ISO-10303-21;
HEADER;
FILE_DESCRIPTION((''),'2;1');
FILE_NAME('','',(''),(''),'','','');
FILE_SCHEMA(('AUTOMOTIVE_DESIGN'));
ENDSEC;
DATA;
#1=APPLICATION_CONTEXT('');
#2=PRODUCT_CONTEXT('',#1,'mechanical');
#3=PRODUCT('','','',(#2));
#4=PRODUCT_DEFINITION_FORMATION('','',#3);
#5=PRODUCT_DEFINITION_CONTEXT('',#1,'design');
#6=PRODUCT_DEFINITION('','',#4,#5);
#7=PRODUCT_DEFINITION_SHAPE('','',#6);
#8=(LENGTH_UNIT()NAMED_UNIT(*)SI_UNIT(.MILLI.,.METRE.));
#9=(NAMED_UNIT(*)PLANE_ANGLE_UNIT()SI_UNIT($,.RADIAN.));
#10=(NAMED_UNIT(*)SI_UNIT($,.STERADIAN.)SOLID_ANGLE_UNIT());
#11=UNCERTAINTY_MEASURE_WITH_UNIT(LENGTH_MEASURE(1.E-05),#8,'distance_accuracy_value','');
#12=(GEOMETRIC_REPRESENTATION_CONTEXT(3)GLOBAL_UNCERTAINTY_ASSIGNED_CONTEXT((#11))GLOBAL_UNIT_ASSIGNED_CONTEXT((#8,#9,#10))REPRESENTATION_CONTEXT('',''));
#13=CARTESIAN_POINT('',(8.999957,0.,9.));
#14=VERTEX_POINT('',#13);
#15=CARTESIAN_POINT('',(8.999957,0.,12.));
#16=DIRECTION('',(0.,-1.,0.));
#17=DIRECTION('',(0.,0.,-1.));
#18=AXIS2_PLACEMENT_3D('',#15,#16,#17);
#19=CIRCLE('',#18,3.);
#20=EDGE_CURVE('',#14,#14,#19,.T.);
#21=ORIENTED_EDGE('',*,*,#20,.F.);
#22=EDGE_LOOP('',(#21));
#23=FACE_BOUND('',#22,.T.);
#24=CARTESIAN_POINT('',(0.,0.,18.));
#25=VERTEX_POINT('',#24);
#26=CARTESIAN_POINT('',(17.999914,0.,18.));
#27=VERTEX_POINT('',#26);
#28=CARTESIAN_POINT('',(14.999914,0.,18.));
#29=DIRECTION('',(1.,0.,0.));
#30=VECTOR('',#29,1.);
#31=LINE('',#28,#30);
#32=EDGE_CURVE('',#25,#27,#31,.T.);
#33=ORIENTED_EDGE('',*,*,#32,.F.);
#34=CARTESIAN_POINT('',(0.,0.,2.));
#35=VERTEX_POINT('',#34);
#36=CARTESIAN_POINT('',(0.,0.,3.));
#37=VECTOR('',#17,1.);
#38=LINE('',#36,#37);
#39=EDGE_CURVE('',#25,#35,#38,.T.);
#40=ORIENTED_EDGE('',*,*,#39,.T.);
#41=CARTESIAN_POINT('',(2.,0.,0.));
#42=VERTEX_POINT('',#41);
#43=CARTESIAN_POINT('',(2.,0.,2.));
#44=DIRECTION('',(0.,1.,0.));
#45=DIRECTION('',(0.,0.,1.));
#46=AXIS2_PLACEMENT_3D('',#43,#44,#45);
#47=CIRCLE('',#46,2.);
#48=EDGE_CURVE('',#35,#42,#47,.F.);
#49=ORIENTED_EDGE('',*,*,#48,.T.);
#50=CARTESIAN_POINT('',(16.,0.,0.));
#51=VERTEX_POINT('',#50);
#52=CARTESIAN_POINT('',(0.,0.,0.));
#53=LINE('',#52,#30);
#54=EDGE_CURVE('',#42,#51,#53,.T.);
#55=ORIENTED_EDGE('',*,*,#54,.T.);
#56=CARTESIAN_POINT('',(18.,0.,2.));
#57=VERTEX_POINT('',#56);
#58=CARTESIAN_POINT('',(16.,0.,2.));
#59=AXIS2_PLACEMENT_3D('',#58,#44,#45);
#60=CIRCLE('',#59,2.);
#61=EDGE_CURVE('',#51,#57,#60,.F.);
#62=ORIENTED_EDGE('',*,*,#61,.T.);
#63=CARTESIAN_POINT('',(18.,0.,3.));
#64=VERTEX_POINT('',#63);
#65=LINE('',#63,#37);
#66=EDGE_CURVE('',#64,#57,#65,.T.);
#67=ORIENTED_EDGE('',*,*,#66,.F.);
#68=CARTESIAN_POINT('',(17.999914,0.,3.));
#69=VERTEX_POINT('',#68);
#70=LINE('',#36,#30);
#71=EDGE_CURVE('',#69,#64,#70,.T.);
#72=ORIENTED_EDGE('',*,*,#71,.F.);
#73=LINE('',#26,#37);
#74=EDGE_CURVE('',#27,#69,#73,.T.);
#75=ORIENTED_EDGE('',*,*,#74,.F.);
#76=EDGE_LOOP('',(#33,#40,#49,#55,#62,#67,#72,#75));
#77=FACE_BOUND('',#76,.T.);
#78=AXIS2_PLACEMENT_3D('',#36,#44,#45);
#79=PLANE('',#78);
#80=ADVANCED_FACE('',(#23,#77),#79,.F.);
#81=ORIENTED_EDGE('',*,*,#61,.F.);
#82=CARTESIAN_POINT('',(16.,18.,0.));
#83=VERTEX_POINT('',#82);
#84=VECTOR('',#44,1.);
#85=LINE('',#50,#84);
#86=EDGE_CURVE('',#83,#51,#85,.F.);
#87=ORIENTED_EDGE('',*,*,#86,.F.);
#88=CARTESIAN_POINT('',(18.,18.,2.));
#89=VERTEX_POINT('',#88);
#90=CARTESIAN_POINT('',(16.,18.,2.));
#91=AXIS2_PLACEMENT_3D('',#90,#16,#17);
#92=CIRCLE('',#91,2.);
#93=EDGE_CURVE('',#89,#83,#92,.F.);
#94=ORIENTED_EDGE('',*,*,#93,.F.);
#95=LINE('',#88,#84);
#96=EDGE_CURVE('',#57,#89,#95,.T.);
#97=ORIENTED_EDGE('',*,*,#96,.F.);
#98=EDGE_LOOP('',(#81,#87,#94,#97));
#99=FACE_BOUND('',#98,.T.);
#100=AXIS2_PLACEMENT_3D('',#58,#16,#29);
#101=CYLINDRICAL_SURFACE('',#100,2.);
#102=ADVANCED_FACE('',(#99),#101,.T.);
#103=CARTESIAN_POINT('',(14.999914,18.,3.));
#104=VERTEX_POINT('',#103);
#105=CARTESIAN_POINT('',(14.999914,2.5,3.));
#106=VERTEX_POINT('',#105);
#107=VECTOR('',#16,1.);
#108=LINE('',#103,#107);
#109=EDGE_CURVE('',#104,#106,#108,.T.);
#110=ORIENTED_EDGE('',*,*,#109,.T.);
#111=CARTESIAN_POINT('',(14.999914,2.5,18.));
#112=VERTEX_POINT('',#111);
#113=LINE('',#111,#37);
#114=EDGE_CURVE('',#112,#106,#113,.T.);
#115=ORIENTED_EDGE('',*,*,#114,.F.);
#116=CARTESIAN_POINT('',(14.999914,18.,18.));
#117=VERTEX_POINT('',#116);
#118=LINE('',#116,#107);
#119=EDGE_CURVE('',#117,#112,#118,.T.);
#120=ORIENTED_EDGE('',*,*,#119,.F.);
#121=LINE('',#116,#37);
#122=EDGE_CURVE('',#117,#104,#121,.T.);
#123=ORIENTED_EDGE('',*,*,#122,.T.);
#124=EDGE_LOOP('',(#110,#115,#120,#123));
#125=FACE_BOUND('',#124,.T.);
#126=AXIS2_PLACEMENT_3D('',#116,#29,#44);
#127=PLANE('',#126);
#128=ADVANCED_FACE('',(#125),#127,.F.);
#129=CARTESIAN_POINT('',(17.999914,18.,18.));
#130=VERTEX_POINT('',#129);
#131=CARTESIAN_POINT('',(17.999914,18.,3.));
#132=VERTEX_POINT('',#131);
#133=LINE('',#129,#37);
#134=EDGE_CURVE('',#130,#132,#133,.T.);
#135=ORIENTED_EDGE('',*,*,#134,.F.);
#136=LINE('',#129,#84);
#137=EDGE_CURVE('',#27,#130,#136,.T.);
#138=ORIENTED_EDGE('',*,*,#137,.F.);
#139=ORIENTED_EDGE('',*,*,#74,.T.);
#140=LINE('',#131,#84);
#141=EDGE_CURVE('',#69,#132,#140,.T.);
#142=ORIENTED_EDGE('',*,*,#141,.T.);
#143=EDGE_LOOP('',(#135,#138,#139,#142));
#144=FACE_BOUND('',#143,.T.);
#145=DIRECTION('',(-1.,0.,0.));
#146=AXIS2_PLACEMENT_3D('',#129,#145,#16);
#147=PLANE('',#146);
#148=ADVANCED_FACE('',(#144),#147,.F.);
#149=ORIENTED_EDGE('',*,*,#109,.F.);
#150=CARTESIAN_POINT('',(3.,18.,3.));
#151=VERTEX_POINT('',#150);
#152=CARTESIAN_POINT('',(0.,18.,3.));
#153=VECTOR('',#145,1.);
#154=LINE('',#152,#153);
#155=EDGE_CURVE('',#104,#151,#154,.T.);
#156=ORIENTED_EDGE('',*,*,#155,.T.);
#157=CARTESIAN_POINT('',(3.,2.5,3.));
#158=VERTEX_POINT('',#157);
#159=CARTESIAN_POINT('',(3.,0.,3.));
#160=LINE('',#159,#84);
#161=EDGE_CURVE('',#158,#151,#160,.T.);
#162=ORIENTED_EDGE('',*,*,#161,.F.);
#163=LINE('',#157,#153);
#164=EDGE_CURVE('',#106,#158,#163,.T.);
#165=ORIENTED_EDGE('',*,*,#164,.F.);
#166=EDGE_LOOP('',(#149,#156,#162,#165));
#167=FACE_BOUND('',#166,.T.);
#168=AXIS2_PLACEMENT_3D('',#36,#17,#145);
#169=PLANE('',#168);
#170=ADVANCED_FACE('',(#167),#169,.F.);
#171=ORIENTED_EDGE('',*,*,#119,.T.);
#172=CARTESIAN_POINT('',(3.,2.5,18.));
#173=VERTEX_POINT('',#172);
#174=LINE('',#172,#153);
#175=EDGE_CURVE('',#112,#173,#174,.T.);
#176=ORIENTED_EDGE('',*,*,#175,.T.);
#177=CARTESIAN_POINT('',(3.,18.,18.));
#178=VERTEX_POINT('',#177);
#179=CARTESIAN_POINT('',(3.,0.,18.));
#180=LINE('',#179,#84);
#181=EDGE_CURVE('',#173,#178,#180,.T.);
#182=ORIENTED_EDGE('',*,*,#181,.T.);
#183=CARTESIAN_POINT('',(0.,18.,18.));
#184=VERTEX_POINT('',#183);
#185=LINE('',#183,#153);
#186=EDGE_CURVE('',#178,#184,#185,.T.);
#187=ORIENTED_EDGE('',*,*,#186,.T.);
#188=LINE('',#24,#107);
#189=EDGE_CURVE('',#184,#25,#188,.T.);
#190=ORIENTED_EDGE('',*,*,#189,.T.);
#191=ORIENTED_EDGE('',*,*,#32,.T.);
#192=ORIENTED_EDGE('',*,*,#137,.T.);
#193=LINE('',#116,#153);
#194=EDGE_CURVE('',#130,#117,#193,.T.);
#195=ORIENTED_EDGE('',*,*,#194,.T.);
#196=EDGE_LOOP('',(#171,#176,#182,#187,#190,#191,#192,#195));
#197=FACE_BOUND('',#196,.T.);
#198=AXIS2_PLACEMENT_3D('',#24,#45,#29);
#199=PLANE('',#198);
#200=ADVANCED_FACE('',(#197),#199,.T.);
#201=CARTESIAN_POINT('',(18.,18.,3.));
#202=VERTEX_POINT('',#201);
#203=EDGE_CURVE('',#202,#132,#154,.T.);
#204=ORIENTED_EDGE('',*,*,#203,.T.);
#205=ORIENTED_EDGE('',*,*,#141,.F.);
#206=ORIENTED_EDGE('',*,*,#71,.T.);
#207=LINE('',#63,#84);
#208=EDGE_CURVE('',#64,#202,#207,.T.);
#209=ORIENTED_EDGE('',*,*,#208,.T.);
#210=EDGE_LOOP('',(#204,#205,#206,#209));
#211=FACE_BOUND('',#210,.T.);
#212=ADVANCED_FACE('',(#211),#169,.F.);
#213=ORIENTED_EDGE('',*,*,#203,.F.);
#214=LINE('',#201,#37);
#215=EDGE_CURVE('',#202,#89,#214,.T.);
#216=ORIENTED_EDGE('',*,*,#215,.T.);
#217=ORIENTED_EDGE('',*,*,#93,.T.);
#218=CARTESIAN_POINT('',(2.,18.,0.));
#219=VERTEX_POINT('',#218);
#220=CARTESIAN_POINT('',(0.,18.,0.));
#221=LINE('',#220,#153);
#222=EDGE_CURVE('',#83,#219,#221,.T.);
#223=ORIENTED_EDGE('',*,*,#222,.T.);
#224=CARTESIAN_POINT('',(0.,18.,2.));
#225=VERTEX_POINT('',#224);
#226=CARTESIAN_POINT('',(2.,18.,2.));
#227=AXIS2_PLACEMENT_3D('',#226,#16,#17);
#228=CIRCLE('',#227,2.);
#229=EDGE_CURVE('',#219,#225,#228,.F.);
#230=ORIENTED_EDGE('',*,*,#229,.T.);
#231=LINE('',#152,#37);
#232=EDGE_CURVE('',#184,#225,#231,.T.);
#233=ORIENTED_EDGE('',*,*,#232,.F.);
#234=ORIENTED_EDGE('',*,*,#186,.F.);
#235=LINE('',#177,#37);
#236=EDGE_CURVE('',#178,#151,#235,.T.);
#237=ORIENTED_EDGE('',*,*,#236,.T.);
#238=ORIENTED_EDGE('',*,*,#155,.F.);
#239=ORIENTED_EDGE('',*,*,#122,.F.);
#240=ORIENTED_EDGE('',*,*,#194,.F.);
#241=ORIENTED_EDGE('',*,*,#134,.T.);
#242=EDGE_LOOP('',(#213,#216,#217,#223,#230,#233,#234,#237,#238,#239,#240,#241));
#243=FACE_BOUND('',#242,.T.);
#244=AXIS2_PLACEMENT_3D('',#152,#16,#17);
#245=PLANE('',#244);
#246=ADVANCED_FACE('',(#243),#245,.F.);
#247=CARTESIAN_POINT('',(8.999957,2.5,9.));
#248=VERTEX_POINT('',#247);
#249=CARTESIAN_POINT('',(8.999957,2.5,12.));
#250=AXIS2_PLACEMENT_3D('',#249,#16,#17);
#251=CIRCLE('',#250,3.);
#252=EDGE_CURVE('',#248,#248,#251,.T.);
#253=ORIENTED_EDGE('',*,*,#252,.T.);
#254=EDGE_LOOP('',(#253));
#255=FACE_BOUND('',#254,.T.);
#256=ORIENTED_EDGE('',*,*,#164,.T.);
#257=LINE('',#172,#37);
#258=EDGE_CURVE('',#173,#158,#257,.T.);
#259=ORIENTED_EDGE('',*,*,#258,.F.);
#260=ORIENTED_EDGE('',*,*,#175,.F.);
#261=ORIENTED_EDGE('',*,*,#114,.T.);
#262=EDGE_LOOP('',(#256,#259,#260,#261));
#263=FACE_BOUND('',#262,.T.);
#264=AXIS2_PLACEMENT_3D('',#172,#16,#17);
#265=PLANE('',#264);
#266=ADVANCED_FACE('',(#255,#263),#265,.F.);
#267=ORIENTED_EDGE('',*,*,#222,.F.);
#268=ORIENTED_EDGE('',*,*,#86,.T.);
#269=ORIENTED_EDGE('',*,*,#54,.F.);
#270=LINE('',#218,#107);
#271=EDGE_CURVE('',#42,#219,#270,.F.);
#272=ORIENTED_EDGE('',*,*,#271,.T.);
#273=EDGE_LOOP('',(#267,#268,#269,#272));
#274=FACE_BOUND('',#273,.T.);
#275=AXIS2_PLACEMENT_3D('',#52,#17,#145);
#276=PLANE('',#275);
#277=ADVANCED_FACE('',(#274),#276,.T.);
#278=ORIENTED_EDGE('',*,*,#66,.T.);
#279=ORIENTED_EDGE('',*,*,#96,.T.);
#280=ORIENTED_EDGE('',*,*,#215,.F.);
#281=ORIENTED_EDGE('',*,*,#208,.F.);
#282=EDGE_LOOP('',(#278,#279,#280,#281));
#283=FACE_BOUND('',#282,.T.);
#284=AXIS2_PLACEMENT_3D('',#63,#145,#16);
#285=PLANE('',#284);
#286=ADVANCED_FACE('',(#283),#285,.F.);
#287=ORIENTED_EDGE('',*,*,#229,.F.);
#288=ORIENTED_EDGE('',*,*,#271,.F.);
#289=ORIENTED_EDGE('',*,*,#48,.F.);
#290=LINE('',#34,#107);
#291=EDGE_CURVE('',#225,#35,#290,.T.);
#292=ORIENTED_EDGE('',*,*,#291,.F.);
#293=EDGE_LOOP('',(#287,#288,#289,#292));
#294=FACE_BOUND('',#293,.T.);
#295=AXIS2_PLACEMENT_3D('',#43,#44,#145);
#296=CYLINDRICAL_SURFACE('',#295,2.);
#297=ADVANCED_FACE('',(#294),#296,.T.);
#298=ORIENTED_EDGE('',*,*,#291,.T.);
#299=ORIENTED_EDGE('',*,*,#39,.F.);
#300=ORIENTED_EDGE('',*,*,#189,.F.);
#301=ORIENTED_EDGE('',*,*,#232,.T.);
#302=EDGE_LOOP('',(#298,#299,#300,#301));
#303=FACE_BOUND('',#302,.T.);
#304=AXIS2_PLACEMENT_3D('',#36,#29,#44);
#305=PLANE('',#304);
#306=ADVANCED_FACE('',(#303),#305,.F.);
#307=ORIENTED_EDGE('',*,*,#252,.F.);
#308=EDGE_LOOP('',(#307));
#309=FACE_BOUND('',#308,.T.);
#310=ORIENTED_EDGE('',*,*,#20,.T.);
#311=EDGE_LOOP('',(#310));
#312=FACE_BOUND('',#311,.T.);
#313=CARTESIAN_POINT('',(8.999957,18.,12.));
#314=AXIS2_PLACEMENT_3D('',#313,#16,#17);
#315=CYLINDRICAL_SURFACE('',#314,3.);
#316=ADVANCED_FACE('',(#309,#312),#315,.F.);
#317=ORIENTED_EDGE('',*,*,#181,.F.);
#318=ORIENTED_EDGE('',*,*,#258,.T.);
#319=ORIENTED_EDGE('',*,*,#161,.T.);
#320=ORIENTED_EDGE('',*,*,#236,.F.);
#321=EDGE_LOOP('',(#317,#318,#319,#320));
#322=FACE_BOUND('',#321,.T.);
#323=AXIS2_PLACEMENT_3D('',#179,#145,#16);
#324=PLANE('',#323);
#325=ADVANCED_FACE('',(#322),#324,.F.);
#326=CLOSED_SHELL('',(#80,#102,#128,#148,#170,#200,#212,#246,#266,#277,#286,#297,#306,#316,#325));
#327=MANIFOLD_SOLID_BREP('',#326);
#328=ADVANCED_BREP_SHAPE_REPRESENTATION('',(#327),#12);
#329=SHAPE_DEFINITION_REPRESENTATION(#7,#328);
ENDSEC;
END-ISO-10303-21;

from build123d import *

# Parameters (mm, degrees)
SKETCH1_W           = 18
SKETCH1_H           = 18
BOSS_EXTRUDE2_DEPTH = 3
SKETCH2_W           = 3
SKETCH2_H           = 18
BOSS_EXTRUDE3_DEPTH = 15
SKETCH3_W           = 3
SKETCH3_H           = 18
BOSS_EXTRUDE4_DEPTH = 15
SKETCH5_W           = 11.999914095
SKETCH5_H           = 2.5
BOSS_EXTRUDE5_DEPTH = 15
FILLET1_R           = 2
FILLET2_R           = 2
SKETCH6_R           = 3
CUT_EXTRUDE1_DEPTH  = 19


with BuildPart() as part:
    # Sketch1 → Boss-Extrude2 (new body)
    with BuildSketch(Plane.XY):
        with Locations((9, 9)):
            Rectangle(SKETCH1_W, SKETCH1_H)
    extrude(amount=BOSS_EXTRUDE2_DEPTH)

    # Sketch2 → Boss-Extrude3 (add)
    with BuildSketch(Plane.XY.offset(3)):
        with Locations((16.499914095, 9)):
            Rectangle(SKETCH2_W, SKETCH2_H)
    extrude(amount=BOSS_EXTRUDE3_DEPTH)

    # Sketch3 → Boss-Extrude4 (add)
    with BuildSketch(Plane.XY.offset(3)):
        with Locations((1.5, 9)):
            Rectangle(SKETCH3_W, SKETCH3_H)
    extrude(amount=BOSS_EXTRUDE4_DEPTH)

    # Sketch5 → Boss-Extrude5 (add)
    with BuildSketch(Plane.XY.offset(3)):
        with Locations((8.999957048, 1.25)):
            Rectangle(SKETCH5_W, SKETCH5_H)
    extrude(amount=BOSS_EXTRUDE5_DEPTH)

    # Fillet1
    fillet1_edges = [part.edges().sort_by_distance(p)[0] for p in [
        (0, 9, 0),
    ]]
    fillet(fillet1_edges, radius=FILLET1_R)

    # Fillet2
    fillet2_edges = [part.edges().sort_by_distance(p)[0] for p in [
        (18, 9, 0),
    ]]
    fillet(fillet2_edges, radius=FILLET2_R)

    # Sketch6 → Cut-Extrude1 (cut, through all)
    with BuildSketch(Plane.XZ):
        with Locations((8.999957047, 12)):
            Circle(SKETCH6_R)
    extrude(amount=-CUT_EXTRUDE1_DEPTH, mode=Mode.SUBTRACT)


solid = part.part
